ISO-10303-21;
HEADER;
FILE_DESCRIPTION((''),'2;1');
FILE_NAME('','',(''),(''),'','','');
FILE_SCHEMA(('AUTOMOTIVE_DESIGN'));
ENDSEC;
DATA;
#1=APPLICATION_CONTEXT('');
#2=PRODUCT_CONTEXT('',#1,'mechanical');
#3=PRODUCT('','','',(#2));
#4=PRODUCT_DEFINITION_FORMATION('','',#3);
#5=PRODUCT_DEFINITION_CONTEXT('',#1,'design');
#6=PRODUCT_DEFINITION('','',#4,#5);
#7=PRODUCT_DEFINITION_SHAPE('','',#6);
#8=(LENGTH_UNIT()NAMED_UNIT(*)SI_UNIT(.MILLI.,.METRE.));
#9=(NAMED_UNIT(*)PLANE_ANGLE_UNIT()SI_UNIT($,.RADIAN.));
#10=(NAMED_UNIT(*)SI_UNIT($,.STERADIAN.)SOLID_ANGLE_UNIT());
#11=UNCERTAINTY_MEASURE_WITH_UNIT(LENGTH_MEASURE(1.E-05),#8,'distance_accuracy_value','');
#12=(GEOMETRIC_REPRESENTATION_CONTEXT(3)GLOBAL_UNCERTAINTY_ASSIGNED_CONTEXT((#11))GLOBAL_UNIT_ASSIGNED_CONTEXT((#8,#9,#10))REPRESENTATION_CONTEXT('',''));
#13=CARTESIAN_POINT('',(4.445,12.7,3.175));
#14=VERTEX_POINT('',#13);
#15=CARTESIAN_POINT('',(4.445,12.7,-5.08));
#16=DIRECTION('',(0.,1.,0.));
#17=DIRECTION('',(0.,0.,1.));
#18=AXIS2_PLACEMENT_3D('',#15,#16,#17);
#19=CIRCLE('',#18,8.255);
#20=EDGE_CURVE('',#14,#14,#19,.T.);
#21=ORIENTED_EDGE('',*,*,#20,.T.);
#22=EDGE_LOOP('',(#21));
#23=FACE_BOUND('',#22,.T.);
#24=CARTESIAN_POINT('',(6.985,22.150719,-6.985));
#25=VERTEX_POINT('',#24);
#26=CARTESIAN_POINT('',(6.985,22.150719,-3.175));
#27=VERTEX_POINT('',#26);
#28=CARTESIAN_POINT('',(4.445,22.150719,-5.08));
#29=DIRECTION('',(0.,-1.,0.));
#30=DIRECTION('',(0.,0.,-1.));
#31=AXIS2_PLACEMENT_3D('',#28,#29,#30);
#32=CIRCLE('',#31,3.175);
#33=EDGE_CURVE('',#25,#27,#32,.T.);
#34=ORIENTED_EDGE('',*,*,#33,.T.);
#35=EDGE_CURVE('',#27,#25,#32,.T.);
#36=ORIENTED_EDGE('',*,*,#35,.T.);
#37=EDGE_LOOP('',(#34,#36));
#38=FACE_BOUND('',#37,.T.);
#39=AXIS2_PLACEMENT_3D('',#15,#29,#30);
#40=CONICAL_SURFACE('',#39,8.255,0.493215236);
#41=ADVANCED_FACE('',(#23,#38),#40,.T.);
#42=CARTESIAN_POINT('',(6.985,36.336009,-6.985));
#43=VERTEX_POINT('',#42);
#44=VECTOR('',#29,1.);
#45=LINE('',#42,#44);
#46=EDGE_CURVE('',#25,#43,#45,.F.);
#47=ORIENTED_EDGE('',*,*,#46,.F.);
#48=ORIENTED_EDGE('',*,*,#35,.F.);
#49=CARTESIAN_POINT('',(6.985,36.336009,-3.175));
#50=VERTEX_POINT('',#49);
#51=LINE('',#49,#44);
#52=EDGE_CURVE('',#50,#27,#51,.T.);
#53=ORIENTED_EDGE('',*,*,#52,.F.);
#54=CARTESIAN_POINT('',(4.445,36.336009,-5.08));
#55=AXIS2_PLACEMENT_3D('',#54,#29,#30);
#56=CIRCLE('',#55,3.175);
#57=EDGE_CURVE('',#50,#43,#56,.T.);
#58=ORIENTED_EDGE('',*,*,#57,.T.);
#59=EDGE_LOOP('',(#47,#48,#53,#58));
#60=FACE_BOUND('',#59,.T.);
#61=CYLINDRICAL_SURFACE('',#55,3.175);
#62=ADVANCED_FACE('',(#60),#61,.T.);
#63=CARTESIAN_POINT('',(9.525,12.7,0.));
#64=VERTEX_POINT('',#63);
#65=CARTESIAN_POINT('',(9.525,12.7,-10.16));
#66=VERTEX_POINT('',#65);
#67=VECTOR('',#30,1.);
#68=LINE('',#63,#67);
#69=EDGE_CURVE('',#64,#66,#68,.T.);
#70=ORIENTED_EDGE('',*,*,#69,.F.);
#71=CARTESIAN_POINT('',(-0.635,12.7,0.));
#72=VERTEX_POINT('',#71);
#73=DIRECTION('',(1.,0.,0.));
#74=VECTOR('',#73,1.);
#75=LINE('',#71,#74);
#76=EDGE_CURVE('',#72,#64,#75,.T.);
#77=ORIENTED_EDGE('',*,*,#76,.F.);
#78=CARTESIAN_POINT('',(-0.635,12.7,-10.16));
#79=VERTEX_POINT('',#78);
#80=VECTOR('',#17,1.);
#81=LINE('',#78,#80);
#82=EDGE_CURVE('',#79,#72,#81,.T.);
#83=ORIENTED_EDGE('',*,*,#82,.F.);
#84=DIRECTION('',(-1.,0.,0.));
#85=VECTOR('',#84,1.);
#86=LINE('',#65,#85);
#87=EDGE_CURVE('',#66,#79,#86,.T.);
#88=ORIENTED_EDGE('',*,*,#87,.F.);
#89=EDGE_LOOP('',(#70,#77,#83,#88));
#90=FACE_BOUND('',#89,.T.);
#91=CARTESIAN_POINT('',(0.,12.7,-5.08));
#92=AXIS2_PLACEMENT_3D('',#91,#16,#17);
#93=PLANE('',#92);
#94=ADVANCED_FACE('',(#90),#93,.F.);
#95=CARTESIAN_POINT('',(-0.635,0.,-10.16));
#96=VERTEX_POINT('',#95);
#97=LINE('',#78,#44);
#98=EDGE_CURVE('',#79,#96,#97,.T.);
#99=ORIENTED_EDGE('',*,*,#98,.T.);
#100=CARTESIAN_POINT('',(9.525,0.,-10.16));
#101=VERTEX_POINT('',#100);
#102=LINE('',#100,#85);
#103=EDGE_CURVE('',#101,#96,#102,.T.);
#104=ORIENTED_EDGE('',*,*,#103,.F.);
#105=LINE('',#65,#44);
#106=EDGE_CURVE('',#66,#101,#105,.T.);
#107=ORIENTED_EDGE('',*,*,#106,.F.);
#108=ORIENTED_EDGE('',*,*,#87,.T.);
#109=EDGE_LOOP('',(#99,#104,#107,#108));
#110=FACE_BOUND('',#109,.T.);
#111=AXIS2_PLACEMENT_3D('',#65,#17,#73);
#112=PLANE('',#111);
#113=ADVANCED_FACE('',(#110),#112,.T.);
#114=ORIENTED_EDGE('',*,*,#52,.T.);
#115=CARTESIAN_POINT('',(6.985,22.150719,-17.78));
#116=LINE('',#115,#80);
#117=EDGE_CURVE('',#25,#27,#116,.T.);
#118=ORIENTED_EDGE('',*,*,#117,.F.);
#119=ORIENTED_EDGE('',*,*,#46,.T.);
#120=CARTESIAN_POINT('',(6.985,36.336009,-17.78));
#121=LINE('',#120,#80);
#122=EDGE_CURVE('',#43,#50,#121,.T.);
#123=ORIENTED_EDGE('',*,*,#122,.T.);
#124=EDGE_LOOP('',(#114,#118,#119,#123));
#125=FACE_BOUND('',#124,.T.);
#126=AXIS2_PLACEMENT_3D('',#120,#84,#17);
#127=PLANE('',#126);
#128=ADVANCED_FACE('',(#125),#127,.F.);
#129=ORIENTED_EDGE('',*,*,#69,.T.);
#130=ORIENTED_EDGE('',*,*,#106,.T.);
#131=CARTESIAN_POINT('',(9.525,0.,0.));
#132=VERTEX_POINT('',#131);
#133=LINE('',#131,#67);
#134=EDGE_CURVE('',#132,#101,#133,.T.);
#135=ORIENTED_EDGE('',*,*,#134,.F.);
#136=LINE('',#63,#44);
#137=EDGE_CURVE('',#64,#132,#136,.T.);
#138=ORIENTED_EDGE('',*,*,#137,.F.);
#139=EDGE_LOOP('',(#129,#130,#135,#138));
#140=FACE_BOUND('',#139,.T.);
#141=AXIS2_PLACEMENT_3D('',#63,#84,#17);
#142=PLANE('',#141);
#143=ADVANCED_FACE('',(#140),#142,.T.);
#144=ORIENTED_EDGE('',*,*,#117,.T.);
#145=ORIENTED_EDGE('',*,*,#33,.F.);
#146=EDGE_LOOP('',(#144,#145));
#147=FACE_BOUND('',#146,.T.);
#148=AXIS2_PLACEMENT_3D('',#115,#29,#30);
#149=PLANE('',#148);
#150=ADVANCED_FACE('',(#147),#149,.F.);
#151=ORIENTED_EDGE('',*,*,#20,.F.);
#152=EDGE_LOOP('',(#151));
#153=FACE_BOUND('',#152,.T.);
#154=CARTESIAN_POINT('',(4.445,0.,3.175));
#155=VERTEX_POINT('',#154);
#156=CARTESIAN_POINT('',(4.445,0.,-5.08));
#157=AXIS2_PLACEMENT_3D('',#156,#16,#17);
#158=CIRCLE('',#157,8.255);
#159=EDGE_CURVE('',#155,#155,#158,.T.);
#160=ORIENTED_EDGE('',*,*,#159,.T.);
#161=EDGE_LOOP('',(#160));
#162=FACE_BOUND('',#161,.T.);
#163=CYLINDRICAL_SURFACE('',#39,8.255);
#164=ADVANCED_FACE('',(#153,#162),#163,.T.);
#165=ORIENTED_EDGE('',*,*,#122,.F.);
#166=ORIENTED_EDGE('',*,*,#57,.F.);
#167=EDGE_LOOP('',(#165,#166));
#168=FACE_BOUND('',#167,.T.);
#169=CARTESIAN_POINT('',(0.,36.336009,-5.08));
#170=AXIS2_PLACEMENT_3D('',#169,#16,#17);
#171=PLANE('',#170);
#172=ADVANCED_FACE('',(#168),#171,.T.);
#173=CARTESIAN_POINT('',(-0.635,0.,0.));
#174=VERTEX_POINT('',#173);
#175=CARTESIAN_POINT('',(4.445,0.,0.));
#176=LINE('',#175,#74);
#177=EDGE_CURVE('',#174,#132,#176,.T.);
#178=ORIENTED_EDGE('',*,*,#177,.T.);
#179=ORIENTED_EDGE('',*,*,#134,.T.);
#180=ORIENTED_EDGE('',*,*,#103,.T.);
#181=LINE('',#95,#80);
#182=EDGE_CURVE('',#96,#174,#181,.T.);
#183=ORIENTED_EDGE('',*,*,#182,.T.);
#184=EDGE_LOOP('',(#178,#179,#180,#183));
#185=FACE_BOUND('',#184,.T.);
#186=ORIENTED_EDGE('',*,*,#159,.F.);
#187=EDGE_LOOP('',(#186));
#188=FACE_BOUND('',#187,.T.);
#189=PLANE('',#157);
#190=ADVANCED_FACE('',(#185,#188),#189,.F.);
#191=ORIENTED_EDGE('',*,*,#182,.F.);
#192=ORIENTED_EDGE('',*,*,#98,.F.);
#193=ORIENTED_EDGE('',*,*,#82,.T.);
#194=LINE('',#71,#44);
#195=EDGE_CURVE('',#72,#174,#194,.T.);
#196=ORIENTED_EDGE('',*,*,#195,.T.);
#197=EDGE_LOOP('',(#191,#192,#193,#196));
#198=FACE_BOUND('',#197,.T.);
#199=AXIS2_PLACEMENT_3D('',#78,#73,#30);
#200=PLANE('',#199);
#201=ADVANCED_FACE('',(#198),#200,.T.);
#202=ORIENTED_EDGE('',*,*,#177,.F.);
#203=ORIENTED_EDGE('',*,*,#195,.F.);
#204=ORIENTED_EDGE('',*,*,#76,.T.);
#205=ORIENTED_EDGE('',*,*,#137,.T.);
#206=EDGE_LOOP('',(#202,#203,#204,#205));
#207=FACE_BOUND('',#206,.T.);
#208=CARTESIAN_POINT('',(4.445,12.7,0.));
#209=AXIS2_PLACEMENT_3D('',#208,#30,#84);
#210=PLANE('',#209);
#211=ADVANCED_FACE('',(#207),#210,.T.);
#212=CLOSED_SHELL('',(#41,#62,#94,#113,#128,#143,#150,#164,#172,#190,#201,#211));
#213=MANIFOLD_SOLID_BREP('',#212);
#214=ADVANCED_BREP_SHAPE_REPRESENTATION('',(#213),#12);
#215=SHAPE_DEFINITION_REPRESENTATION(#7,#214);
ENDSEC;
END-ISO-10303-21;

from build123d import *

# Parameters (mm, degrees)
SKETCH1_R               = 8.255
BOSS_EXTRUDE1_DEPTH     = 12.7
SKETCH6_W               = 0.635
SKETCH6_H               = 14.1852904
CUT_EXTRUDE3_DEPTH      = 12.7
CUT_EXTRUDE3_DEPTH_BACK = 12.7


with BuildPart() as part:
    # Sketch1 → Boss-Extrude1 (new body)
    with BuildSketch(Plane(origin=(0, 0, 0), x_dir=(1, 0, 0), z_dir=(0, 1, 0))):
        with Locations((4.445, 5.08)):
            Circle(SKETCH1_R)
        Polygon((4.445, 0), (9.525, 0), (9.525, 10.16), (-0.635, 10.16), (-0.635, 0), align=None, mode=Mode.SUBTRACT)
    extrude(amount=BOSS_EXTRUDE1_DEPTH)

    # Sketch5 → Revolve4 (revolve)
    with BuildSketch(Plane(origin=(0, 0, -5.08), x_dir=(-1, 0, 0), z_dir=(0, 0, -1))):
        Polygon((-12.7, 12.7), (-4.445, 12.7), (-4.445, 20.246092455), (-4.445, 36.336009477), (-7.62, 36.336009477), (-7.62, 22.150719077), align=None)
    revolve(axis=Axis((4.445, 36.336009477, -5.08), (0, 1, 0)))

    # Sketch6 → Cut-Extrude3 (cut, two sides)
    with BuildSketch(Plane(origin=(0, 0, -5.08), x_dir=(-1, 0, 0), z_dir=(0, 0, -1))) as cut_extrude3_sk:
        with Locations((-7.3025, 29.243364277)):
            Rectangle(SKETCH6_W, SKETCH6_H)
    extrude(amount=CUT_EXTRUDE3_DEPTH, mode=Mode.SUBTRACT)
    extrude(cut_extrude3_sk.sketch, amount=-CUT_EXTRUDE3_DEPTH_BACK, mode=Mode.SUBTRACT)


solid = part.part
